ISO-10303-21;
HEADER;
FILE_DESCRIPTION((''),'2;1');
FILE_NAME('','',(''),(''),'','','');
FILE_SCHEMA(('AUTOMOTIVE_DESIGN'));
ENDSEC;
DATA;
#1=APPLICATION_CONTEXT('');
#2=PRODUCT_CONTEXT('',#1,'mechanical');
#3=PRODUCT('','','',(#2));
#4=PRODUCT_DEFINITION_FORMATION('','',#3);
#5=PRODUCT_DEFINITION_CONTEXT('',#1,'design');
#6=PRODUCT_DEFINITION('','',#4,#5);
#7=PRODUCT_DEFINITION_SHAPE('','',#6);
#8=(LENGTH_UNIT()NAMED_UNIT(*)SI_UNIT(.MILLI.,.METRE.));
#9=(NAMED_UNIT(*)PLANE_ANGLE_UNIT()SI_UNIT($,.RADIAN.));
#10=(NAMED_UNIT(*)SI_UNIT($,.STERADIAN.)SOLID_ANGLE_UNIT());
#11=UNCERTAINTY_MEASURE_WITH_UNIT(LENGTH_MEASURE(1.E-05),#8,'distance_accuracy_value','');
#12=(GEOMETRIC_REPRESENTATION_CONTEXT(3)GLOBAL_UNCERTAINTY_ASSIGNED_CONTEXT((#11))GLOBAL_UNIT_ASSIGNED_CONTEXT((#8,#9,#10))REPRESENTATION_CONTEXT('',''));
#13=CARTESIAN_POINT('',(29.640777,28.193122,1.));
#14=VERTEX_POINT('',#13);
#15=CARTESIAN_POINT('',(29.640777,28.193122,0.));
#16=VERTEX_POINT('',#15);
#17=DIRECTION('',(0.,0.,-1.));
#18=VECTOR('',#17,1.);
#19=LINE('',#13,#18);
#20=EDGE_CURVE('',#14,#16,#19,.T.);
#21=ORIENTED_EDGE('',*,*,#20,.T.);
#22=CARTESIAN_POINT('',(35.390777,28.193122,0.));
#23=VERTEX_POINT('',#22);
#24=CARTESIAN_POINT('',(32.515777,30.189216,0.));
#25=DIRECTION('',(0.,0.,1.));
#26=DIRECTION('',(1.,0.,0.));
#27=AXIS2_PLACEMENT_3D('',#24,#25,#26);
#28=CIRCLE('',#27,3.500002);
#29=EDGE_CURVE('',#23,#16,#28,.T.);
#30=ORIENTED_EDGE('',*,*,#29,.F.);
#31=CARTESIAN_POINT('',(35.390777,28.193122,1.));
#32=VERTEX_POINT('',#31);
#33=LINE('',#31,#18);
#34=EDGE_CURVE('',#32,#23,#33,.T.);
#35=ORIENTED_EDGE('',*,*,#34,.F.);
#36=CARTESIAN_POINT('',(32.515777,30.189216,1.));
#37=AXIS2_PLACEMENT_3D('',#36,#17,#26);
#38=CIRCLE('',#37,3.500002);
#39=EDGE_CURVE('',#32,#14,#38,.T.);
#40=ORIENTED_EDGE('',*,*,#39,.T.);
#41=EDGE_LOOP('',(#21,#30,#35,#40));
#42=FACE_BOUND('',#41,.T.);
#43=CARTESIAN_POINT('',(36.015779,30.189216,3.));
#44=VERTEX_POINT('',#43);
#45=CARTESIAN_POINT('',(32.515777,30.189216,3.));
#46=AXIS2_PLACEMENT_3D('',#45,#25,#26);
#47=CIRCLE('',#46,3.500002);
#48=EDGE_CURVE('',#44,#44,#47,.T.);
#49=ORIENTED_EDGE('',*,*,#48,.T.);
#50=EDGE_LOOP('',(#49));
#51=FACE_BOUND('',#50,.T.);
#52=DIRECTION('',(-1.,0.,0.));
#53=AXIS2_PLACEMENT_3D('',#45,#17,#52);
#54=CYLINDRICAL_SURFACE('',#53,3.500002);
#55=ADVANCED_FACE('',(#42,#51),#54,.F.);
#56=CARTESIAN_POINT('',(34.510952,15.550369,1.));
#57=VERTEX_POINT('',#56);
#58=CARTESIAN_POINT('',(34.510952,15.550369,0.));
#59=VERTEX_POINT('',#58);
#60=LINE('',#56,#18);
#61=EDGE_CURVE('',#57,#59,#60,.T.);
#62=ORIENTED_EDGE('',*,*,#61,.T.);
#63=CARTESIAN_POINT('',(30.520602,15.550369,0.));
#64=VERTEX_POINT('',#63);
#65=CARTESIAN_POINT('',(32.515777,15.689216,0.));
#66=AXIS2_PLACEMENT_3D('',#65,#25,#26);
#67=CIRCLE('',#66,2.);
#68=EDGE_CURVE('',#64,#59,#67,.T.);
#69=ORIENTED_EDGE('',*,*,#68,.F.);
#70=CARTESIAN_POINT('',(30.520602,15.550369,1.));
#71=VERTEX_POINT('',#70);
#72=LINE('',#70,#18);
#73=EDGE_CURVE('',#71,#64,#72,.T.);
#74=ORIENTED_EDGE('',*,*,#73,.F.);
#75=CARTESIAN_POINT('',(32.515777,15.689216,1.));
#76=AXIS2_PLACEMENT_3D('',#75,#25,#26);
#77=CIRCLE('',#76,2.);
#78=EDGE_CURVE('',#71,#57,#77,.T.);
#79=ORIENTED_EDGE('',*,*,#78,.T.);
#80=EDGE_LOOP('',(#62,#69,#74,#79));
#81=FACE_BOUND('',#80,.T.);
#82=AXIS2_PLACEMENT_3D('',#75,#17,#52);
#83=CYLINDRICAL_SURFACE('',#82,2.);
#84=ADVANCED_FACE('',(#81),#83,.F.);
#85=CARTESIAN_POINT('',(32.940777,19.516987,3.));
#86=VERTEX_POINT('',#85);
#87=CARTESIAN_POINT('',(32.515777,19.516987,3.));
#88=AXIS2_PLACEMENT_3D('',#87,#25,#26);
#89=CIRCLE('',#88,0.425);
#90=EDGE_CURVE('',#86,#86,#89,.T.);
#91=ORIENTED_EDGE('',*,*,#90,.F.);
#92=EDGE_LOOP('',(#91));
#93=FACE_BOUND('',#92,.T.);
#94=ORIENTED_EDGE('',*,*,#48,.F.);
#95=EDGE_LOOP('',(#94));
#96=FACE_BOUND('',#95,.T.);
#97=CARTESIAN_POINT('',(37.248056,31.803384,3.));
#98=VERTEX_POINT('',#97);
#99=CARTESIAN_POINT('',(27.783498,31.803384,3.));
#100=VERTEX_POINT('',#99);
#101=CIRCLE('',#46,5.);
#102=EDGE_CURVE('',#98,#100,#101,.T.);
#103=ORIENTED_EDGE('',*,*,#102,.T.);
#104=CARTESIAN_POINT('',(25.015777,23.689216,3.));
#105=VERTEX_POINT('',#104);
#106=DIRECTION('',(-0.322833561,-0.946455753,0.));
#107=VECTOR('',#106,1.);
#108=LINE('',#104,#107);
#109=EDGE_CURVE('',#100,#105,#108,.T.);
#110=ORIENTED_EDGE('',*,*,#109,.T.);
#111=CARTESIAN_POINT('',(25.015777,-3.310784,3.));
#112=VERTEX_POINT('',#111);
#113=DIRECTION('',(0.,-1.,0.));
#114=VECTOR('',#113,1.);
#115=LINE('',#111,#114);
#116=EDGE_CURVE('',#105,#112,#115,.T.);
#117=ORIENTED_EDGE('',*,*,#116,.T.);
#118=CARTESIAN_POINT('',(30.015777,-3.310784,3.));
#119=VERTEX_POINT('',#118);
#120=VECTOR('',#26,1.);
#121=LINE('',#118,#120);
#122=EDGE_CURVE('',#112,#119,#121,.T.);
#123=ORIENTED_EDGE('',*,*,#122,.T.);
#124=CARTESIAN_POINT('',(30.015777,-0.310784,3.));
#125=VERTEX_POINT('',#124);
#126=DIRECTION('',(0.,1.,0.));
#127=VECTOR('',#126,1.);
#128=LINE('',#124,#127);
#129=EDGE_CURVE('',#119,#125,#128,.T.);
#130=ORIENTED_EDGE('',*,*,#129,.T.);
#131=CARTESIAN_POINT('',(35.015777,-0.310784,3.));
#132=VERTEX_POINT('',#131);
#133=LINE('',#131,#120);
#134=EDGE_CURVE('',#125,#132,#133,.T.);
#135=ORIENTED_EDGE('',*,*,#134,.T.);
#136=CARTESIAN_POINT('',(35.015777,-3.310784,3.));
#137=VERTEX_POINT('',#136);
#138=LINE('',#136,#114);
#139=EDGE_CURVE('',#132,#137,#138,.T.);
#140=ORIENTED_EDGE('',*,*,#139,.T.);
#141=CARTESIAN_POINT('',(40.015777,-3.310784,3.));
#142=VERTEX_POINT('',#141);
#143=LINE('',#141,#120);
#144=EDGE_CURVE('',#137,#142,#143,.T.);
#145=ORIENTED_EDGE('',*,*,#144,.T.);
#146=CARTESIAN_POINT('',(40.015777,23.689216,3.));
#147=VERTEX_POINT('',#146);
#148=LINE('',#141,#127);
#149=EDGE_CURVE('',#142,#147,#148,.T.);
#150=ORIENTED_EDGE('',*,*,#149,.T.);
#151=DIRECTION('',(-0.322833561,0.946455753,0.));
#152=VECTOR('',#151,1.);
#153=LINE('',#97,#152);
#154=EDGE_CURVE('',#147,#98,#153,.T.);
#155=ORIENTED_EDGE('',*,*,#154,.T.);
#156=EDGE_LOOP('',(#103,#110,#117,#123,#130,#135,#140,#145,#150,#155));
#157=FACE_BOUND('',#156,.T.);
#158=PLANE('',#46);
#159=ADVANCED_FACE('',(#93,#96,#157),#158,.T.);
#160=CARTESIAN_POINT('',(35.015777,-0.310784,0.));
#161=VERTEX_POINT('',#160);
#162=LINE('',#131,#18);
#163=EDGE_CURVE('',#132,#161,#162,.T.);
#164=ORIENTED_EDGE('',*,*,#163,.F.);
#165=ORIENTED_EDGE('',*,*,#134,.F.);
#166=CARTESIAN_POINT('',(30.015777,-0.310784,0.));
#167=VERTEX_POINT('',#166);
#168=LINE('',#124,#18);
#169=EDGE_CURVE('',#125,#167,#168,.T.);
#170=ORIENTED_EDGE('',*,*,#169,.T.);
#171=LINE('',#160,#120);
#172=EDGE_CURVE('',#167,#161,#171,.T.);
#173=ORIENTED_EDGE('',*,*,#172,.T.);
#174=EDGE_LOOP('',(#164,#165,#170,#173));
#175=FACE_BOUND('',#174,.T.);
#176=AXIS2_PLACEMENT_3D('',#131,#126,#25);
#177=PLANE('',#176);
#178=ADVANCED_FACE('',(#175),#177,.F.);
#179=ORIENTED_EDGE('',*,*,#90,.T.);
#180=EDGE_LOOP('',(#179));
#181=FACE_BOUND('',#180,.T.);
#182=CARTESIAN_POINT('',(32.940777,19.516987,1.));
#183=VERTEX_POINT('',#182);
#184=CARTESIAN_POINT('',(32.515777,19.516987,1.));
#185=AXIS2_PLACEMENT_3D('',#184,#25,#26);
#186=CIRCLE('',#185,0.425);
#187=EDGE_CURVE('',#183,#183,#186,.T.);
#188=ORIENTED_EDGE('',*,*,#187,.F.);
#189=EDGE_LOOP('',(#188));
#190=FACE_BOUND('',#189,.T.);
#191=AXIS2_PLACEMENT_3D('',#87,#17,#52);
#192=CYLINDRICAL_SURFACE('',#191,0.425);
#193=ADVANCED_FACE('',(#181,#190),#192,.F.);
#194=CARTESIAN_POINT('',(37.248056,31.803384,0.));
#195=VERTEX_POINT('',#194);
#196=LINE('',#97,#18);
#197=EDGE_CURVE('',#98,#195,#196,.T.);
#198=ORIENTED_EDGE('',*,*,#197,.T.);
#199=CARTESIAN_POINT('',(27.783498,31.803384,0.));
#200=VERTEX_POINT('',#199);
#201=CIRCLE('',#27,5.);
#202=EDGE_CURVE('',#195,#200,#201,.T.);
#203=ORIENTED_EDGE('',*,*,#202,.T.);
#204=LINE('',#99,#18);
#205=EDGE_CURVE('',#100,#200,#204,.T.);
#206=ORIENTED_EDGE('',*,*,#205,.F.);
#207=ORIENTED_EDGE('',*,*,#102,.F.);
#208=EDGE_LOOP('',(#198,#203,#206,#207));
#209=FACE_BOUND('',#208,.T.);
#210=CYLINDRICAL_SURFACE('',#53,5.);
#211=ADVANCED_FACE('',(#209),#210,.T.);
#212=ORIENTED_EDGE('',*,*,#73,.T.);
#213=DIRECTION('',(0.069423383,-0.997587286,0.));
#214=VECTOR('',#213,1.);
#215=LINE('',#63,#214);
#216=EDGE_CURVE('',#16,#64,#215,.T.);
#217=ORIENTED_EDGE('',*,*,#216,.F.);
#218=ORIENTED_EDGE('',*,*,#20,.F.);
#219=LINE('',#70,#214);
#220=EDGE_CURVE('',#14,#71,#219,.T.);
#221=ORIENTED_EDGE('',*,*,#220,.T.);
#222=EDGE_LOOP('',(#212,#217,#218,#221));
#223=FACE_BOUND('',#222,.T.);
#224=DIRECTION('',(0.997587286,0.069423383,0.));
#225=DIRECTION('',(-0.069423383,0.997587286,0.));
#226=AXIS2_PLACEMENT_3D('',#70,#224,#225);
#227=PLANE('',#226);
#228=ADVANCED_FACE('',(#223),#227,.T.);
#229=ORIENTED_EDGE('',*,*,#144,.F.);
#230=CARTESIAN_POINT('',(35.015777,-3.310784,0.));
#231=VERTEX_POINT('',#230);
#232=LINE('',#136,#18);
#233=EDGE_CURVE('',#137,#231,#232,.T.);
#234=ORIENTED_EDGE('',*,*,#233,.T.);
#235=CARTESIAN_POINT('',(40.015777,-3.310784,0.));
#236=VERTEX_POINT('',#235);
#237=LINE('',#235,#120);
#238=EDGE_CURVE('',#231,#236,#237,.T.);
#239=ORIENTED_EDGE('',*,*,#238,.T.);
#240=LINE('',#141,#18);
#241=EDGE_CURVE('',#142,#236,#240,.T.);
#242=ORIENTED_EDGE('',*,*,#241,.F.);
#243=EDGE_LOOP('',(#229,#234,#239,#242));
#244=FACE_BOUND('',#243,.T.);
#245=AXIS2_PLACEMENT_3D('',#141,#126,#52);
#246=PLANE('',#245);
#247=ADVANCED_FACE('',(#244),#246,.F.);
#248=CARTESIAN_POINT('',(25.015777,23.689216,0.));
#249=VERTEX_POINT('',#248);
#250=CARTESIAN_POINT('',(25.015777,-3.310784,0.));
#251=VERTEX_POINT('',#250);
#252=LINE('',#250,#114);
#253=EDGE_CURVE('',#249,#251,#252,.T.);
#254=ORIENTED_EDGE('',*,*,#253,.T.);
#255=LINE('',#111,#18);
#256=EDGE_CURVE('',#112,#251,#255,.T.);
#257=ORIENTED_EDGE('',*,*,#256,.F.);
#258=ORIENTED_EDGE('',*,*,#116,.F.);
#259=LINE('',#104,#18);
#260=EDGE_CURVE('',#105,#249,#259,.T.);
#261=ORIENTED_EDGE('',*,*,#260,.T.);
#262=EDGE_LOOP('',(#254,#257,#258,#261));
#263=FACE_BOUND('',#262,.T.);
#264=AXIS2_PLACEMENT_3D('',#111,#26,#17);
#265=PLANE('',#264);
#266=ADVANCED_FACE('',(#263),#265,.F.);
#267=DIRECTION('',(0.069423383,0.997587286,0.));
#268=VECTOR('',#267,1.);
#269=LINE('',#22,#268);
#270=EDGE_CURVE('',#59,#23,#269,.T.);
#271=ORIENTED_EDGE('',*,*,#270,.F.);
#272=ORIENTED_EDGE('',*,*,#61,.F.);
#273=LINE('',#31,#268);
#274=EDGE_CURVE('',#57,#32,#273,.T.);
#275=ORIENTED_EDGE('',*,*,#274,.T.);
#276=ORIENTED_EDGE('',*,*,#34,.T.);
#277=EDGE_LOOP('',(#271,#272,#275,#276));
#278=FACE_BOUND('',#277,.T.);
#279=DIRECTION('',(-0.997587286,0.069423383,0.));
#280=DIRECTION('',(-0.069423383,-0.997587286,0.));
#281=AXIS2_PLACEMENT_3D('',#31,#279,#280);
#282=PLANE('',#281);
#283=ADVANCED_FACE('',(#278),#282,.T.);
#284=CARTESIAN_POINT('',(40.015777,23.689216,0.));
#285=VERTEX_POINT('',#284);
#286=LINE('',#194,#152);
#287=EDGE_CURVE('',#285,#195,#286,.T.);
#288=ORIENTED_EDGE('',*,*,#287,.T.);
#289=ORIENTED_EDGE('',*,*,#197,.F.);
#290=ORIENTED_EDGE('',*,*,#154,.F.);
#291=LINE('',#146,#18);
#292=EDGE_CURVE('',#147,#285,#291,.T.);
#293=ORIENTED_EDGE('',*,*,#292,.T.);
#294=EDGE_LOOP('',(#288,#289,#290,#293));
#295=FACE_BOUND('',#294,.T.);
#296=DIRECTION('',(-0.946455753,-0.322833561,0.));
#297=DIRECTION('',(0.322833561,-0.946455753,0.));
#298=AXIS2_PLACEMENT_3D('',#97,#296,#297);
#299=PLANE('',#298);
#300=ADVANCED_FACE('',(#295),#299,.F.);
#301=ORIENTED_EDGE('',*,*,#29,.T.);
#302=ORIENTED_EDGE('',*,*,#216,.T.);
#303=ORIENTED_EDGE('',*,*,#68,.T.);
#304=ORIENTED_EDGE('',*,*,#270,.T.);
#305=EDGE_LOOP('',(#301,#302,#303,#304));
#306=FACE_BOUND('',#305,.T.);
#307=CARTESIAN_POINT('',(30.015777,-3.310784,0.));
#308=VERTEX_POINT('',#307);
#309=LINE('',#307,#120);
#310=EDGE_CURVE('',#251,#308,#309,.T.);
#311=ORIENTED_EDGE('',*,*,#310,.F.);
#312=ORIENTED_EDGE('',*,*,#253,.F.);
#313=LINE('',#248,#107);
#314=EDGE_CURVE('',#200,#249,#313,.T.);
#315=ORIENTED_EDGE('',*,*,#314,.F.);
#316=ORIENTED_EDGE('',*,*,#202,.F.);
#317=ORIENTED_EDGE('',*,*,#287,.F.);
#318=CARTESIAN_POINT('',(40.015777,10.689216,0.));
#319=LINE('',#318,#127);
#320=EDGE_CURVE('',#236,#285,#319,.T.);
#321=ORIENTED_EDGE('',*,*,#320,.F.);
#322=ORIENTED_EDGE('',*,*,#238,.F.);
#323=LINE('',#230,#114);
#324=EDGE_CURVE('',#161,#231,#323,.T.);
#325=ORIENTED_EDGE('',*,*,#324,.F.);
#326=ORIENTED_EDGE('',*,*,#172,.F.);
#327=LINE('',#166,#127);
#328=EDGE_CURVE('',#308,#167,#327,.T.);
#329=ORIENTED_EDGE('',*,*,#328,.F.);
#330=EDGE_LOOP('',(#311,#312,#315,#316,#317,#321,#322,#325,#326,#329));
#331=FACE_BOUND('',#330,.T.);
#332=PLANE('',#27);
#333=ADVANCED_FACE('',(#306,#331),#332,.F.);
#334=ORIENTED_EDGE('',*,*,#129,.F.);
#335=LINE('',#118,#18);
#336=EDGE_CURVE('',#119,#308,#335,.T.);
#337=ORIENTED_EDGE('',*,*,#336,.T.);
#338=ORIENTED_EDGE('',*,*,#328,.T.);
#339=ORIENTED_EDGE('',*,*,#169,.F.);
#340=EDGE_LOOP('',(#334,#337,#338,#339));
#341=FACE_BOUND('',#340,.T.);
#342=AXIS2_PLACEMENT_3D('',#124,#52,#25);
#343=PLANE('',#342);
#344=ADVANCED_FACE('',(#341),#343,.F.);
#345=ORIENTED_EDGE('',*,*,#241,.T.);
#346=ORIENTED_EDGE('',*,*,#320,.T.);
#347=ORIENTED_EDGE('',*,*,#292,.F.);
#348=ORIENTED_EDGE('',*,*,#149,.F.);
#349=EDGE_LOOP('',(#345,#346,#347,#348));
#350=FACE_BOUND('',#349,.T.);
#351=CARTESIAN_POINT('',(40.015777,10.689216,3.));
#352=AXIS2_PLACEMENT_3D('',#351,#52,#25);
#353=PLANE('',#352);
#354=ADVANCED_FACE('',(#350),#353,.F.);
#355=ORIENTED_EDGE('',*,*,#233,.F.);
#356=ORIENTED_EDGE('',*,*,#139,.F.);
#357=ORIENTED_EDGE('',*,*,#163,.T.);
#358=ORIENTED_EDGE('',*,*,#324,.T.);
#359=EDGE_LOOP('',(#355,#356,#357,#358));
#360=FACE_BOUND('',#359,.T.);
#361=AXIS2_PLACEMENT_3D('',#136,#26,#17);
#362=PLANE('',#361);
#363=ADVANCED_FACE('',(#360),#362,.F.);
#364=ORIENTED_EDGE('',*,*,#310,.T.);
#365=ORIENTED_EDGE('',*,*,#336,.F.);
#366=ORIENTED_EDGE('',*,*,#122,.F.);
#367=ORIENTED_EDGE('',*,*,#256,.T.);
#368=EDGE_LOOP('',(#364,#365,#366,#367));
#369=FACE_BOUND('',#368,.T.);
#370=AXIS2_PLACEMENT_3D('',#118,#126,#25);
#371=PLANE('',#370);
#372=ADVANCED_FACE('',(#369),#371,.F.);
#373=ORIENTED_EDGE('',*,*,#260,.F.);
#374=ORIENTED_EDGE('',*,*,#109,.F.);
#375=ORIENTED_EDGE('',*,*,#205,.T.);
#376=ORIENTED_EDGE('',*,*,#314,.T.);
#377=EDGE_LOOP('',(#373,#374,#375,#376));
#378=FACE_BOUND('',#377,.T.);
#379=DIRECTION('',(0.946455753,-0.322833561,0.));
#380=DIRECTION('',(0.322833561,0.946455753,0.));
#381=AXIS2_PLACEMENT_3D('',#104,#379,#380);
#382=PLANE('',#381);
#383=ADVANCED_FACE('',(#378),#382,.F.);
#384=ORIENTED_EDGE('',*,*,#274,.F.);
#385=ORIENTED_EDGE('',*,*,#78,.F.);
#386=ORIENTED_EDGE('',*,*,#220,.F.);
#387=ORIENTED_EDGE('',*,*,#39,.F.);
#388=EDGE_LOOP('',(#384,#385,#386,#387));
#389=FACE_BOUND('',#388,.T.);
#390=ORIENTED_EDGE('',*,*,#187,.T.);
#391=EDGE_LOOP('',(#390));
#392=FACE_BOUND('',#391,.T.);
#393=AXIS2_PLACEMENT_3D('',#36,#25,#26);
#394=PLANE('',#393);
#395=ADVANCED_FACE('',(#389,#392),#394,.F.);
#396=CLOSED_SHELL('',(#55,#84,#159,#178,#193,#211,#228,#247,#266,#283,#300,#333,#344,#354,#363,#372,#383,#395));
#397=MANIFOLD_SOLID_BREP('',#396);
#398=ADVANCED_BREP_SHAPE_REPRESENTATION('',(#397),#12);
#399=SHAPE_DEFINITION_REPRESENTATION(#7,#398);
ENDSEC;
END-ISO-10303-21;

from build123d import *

# Parameters (mm, degrees)
CORTE_EXTERIOR_R        = 0.425
CORTE_EXTERIOR_R_2      = 3.500002336
SALIENTE_EXTRUIR1_DEPTH = 3
CORTAR_EXTRUIR1_DEPTH   = 1


with BuildPart() as part:
    # Corte exterior → Saliente-Extruir1 (new body)
    with BuildSketch(Plane.XY):
        with BuildLine():
            Line((40.01577693, -3.310783785), (40.01577693, 10.689216215))
            Line((40.01577693, 10.689216215), (40.01577693, 23.689216215))
            Line((40.01577693, 23.689216215), (37.248055694, 31.80338402))
            ThreePointArc((37.248055694, 31.80338402), (32.51577693, 35.189216215), (27.783498166, 31.80338402))
            Line((27.783498166, 31.80338402), (25.01577693, 23.689216215))
            Line((25.01577693, 23.689216215), (25.01577693, -3.310783785))
            Line((25.01577693, -3.310783785), (30.01577693, -3.310783785))
            Line((30.01577693, -3.310783785), (30.01577693, -0.310783785))
            Line((30.01577693, -0.310783785), (35.01577693, -0.310783785))
            Line((35.01577693, -0.310783785), (35.01577693, -3.310783785))
            Line((35.01577693, -3.310783785), (40.01577693, -3.310783785))
        make_face()
        with Locations((32.51577693, 19.516986762)):
            Circle(CORTE_EXTERIOR_R, mode=Mode.SUBTRACT)
        with Locations((32.51577693, 30.189216215)):
            Circle(CORTE_EXTERIOR_R_2, mode=Mode.SUBTRACT)
    extrude(amount=SALIENTE_EXTRUIR1_DEPTH)

    # Grabado Superficie → Cortar-Extruir1 (cut)
    with BuildSketch(Plane.XY):
        with BuildLine():
            Line((30.520602357, 15.55036945), (29.64077693, 28.193122191))
            ThreePointArc((29.64077693, 28.193122191), (32.51577693, 26.689213879), (35.39077693, 28.193122191))
            Line((35.39077693, 28.193122191), (34.510951503, 15.55036945))
            ThreePointArc((34.510951503, 15.55036945), (32.51577693, 13.689216215), (30.520602357, 15.55036945))
        make_face()
    extrude(amount=CORTAR_EXTRUIR1_DEPTH, mode=Mode.SUBTRACT)


solid = part.part
